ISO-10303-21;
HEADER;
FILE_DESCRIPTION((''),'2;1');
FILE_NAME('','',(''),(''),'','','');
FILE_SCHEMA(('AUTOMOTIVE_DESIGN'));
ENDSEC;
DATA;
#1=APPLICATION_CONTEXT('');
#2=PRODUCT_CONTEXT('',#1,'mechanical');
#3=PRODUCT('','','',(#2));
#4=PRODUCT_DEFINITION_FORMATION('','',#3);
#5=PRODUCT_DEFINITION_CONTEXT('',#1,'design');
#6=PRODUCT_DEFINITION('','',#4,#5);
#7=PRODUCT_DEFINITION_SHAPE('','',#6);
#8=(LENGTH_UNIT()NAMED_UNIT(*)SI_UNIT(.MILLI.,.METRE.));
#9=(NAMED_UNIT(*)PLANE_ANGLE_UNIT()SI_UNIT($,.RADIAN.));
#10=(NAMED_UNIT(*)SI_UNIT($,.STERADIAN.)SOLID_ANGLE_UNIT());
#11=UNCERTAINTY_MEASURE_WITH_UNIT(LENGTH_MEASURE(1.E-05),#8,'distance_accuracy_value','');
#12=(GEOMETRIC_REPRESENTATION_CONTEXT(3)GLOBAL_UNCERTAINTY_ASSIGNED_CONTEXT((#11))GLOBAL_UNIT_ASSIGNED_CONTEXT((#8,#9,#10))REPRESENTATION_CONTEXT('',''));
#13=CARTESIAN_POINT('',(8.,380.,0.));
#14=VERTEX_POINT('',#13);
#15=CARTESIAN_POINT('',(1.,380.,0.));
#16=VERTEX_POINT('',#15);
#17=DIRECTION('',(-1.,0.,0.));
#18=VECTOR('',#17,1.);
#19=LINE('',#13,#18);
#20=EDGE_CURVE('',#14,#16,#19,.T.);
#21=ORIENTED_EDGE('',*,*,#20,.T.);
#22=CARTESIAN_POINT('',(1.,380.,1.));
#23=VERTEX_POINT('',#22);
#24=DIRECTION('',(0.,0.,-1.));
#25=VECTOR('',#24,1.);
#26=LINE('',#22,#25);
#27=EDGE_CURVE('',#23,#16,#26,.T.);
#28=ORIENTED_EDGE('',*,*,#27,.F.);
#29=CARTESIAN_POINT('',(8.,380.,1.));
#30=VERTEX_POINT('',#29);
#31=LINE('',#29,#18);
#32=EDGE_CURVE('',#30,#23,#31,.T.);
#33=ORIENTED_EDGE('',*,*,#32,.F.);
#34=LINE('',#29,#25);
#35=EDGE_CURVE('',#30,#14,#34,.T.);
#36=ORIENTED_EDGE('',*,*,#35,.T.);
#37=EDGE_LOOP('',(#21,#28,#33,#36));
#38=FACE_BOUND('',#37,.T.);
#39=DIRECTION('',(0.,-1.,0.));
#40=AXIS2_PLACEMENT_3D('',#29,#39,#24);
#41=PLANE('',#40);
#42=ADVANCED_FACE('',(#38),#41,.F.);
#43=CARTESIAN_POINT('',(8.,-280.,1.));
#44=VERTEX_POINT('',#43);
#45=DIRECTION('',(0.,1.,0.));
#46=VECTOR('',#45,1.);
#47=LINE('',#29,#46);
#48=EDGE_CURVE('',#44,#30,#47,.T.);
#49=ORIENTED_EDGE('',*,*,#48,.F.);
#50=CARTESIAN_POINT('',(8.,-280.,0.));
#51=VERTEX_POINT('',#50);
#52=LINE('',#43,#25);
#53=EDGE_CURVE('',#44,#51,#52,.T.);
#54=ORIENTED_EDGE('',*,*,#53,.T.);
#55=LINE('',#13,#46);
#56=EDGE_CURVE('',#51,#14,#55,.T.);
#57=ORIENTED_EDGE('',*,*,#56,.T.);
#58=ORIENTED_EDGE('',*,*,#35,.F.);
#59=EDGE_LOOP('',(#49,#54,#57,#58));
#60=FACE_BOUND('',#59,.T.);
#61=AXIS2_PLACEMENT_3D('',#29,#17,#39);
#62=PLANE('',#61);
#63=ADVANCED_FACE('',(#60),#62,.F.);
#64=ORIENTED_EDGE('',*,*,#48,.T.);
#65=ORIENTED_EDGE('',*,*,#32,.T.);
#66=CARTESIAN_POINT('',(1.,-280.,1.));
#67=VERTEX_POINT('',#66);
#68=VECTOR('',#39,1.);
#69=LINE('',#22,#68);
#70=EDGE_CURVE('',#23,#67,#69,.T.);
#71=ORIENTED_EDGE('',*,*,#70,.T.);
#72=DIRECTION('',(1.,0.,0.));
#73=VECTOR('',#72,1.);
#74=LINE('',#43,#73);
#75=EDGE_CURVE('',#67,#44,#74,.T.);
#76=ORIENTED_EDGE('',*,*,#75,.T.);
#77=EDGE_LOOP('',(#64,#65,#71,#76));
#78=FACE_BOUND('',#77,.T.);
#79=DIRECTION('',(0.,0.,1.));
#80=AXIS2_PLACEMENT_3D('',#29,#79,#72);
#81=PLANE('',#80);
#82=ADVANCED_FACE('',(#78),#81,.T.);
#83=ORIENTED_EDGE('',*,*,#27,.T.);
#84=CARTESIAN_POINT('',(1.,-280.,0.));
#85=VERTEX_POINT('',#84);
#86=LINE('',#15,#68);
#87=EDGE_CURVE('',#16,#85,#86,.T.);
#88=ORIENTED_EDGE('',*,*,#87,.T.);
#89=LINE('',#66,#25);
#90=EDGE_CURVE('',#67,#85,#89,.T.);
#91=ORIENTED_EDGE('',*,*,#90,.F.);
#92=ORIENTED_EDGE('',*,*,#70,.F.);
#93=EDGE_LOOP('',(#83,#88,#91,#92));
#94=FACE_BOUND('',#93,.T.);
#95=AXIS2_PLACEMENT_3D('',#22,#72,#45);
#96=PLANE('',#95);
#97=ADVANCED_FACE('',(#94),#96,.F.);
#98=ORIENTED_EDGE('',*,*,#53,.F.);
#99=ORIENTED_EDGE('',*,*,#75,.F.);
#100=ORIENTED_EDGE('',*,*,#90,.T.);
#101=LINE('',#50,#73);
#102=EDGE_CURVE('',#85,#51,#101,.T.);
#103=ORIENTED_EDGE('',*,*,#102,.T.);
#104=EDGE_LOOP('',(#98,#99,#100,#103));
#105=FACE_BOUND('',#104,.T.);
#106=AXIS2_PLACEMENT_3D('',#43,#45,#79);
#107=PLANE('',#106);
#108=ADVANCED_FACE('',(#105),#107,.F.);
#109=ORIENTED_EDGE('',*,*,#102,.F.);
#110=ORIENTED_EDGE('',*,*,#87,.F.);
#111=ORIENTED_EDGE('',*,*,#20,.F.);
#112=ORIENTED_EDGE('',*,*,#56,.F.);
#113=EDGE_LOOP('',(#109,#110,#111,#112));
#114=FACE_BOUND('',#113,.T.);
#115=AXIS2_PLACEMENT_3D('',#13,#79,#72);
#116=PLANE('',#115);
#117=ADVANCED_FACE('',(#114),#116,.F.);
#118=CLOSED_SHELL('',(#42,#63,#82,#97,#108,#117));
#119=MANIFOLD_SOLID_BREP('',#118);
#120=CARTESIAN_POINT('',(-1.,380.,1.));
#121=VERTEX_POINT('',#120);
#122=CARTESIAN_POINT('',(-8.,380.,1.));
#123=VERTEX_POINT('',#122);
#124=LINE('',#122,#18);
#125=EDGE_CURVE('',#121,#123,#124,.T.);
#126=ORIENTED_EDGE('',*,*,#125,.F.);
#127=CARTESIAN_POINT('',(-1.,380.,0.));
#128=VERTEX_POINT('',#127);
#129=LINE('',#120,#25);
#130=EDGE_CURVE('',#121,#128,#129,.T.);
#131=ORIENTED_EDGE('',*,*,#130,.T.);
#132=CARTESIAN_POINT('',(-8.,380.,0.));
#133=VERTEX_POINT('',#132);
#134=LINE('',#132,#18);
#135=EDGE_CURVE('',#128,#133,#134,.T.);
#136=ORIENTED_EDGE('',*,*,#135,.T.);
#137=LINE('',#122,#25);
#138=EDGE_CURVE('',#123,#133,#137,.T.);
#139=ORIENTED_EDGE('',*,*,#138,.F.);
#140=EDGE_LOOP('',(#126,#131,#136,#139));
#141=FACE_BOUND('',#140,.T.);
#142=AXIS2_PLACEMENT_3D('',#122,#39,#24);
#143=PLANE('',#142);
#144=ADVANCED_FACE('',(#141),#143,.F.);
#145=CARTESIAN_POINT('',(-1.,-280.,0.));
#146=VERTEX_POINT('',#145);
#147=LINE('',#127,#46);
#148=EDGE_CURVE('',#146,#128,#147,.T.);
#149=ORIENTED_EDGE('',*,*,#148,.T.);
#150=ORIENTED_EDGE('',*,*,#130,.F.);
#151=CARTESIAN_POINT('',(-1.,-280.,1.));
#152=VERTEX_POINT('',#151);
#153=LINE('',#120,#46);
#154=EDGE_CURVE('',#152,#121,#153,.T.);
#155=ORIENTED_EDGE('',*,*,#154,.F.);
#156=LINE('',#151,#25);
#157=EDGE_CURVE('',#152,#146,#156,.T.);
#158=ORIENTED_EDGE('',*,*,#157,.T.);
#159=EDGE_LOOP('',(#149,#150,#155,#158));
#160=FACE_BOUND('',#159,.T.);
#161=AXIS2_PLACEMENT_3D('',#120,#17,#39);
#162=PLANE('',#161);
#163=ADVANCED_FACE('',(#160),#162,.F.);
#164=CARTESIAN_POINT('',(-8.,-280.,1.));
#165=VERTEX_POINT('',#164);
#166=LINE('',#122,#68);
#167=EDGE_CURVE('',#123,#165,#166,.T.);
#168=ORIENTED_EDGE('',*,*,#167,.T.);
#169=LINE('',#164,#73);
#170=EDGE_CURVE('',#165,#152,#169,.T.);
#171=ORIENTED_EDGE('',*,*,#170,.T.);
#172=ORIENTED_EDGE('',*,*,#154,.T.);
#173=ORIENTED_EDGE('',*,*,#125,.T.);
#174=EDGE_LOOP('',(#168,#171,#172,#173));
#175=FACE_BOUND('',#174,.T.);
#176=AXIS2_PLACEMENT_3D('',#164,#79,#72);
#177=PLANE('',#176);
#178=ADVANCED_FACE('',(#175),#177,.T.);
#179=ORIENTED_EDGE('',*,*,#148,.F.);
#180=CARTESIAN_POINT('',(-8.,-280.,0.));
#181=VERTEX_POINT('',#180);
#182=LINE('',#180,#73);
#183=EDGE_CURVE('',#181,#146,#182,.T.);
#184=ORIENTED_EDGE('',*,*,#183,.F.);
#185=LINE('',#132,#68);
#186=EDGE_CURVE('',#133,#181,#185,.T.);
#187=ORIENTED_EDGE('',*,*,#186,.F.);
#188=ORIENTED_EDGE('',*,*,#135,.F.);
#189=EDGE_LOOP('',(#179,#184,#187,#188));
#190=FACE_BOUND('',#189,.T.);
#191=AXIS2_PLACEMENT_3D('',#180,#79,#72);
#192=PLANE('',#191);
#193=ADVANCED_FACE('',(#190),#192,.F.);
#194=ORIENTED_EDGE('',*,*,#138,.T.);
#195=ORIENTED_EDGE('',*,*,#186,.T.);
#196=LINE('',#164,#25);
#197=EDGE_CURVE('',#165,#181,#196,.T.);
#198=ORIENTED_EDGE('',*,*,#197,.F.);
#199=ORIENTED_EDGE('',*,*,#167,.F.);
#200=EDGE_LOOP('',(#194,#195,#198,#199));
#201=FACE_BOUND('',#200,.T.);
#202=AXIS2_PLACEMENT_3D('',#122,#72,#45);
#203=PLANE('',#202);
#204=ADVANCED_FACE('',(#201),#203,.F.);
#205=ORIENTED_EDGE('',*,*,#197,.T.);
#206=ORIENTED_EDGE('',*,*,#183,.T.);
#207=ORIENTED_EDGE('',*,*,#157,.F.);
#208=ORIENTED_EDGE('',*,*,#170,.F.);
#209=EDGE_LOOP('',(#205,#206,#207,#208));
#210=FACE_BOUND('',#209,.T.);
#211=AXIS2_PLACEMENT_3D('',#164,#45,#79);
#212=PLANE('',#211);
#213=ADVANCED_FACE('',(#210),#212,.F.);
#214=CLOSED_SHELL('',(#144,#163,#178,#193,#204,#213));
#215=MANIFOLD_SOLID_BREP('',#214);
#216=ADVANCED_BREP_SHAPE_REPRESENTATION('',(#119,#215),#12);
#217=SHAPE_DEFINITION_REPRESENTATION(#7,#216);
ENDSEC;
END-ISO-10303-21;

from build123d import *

# Parameters (mm, degrees)
ESQUISSE1_W        = 7
ESQUISSE1_H        = 660
EXTRUSION1_DEPTH   = 1
EXTRUSION1_2_DEPTH = 1


with BuildPart() as part:
    # Esquisse1 → Extrusion1 (new body)
    with BuildSketch(Plane.XY):
        with Locations((4.5, 50)):
            Rectangle(ESQUISSE1_W, ESQUISSE1_H)
    extrude(amount=EXTRUSION1_DEPTH)


with BuildPart() as body_2:
    # Esquisse1 → Extrusion1 2 (new body)
    with BuildSketch(Plane.XY):
        with Locations((-4.5, 50)):
            Rectangle(ESQUISSE1_W, ESQUISSE1_H)
    extrude(amount=EXTRUSION1_2_DEPTH)


solid = Compound([part.part, body_2.part])
